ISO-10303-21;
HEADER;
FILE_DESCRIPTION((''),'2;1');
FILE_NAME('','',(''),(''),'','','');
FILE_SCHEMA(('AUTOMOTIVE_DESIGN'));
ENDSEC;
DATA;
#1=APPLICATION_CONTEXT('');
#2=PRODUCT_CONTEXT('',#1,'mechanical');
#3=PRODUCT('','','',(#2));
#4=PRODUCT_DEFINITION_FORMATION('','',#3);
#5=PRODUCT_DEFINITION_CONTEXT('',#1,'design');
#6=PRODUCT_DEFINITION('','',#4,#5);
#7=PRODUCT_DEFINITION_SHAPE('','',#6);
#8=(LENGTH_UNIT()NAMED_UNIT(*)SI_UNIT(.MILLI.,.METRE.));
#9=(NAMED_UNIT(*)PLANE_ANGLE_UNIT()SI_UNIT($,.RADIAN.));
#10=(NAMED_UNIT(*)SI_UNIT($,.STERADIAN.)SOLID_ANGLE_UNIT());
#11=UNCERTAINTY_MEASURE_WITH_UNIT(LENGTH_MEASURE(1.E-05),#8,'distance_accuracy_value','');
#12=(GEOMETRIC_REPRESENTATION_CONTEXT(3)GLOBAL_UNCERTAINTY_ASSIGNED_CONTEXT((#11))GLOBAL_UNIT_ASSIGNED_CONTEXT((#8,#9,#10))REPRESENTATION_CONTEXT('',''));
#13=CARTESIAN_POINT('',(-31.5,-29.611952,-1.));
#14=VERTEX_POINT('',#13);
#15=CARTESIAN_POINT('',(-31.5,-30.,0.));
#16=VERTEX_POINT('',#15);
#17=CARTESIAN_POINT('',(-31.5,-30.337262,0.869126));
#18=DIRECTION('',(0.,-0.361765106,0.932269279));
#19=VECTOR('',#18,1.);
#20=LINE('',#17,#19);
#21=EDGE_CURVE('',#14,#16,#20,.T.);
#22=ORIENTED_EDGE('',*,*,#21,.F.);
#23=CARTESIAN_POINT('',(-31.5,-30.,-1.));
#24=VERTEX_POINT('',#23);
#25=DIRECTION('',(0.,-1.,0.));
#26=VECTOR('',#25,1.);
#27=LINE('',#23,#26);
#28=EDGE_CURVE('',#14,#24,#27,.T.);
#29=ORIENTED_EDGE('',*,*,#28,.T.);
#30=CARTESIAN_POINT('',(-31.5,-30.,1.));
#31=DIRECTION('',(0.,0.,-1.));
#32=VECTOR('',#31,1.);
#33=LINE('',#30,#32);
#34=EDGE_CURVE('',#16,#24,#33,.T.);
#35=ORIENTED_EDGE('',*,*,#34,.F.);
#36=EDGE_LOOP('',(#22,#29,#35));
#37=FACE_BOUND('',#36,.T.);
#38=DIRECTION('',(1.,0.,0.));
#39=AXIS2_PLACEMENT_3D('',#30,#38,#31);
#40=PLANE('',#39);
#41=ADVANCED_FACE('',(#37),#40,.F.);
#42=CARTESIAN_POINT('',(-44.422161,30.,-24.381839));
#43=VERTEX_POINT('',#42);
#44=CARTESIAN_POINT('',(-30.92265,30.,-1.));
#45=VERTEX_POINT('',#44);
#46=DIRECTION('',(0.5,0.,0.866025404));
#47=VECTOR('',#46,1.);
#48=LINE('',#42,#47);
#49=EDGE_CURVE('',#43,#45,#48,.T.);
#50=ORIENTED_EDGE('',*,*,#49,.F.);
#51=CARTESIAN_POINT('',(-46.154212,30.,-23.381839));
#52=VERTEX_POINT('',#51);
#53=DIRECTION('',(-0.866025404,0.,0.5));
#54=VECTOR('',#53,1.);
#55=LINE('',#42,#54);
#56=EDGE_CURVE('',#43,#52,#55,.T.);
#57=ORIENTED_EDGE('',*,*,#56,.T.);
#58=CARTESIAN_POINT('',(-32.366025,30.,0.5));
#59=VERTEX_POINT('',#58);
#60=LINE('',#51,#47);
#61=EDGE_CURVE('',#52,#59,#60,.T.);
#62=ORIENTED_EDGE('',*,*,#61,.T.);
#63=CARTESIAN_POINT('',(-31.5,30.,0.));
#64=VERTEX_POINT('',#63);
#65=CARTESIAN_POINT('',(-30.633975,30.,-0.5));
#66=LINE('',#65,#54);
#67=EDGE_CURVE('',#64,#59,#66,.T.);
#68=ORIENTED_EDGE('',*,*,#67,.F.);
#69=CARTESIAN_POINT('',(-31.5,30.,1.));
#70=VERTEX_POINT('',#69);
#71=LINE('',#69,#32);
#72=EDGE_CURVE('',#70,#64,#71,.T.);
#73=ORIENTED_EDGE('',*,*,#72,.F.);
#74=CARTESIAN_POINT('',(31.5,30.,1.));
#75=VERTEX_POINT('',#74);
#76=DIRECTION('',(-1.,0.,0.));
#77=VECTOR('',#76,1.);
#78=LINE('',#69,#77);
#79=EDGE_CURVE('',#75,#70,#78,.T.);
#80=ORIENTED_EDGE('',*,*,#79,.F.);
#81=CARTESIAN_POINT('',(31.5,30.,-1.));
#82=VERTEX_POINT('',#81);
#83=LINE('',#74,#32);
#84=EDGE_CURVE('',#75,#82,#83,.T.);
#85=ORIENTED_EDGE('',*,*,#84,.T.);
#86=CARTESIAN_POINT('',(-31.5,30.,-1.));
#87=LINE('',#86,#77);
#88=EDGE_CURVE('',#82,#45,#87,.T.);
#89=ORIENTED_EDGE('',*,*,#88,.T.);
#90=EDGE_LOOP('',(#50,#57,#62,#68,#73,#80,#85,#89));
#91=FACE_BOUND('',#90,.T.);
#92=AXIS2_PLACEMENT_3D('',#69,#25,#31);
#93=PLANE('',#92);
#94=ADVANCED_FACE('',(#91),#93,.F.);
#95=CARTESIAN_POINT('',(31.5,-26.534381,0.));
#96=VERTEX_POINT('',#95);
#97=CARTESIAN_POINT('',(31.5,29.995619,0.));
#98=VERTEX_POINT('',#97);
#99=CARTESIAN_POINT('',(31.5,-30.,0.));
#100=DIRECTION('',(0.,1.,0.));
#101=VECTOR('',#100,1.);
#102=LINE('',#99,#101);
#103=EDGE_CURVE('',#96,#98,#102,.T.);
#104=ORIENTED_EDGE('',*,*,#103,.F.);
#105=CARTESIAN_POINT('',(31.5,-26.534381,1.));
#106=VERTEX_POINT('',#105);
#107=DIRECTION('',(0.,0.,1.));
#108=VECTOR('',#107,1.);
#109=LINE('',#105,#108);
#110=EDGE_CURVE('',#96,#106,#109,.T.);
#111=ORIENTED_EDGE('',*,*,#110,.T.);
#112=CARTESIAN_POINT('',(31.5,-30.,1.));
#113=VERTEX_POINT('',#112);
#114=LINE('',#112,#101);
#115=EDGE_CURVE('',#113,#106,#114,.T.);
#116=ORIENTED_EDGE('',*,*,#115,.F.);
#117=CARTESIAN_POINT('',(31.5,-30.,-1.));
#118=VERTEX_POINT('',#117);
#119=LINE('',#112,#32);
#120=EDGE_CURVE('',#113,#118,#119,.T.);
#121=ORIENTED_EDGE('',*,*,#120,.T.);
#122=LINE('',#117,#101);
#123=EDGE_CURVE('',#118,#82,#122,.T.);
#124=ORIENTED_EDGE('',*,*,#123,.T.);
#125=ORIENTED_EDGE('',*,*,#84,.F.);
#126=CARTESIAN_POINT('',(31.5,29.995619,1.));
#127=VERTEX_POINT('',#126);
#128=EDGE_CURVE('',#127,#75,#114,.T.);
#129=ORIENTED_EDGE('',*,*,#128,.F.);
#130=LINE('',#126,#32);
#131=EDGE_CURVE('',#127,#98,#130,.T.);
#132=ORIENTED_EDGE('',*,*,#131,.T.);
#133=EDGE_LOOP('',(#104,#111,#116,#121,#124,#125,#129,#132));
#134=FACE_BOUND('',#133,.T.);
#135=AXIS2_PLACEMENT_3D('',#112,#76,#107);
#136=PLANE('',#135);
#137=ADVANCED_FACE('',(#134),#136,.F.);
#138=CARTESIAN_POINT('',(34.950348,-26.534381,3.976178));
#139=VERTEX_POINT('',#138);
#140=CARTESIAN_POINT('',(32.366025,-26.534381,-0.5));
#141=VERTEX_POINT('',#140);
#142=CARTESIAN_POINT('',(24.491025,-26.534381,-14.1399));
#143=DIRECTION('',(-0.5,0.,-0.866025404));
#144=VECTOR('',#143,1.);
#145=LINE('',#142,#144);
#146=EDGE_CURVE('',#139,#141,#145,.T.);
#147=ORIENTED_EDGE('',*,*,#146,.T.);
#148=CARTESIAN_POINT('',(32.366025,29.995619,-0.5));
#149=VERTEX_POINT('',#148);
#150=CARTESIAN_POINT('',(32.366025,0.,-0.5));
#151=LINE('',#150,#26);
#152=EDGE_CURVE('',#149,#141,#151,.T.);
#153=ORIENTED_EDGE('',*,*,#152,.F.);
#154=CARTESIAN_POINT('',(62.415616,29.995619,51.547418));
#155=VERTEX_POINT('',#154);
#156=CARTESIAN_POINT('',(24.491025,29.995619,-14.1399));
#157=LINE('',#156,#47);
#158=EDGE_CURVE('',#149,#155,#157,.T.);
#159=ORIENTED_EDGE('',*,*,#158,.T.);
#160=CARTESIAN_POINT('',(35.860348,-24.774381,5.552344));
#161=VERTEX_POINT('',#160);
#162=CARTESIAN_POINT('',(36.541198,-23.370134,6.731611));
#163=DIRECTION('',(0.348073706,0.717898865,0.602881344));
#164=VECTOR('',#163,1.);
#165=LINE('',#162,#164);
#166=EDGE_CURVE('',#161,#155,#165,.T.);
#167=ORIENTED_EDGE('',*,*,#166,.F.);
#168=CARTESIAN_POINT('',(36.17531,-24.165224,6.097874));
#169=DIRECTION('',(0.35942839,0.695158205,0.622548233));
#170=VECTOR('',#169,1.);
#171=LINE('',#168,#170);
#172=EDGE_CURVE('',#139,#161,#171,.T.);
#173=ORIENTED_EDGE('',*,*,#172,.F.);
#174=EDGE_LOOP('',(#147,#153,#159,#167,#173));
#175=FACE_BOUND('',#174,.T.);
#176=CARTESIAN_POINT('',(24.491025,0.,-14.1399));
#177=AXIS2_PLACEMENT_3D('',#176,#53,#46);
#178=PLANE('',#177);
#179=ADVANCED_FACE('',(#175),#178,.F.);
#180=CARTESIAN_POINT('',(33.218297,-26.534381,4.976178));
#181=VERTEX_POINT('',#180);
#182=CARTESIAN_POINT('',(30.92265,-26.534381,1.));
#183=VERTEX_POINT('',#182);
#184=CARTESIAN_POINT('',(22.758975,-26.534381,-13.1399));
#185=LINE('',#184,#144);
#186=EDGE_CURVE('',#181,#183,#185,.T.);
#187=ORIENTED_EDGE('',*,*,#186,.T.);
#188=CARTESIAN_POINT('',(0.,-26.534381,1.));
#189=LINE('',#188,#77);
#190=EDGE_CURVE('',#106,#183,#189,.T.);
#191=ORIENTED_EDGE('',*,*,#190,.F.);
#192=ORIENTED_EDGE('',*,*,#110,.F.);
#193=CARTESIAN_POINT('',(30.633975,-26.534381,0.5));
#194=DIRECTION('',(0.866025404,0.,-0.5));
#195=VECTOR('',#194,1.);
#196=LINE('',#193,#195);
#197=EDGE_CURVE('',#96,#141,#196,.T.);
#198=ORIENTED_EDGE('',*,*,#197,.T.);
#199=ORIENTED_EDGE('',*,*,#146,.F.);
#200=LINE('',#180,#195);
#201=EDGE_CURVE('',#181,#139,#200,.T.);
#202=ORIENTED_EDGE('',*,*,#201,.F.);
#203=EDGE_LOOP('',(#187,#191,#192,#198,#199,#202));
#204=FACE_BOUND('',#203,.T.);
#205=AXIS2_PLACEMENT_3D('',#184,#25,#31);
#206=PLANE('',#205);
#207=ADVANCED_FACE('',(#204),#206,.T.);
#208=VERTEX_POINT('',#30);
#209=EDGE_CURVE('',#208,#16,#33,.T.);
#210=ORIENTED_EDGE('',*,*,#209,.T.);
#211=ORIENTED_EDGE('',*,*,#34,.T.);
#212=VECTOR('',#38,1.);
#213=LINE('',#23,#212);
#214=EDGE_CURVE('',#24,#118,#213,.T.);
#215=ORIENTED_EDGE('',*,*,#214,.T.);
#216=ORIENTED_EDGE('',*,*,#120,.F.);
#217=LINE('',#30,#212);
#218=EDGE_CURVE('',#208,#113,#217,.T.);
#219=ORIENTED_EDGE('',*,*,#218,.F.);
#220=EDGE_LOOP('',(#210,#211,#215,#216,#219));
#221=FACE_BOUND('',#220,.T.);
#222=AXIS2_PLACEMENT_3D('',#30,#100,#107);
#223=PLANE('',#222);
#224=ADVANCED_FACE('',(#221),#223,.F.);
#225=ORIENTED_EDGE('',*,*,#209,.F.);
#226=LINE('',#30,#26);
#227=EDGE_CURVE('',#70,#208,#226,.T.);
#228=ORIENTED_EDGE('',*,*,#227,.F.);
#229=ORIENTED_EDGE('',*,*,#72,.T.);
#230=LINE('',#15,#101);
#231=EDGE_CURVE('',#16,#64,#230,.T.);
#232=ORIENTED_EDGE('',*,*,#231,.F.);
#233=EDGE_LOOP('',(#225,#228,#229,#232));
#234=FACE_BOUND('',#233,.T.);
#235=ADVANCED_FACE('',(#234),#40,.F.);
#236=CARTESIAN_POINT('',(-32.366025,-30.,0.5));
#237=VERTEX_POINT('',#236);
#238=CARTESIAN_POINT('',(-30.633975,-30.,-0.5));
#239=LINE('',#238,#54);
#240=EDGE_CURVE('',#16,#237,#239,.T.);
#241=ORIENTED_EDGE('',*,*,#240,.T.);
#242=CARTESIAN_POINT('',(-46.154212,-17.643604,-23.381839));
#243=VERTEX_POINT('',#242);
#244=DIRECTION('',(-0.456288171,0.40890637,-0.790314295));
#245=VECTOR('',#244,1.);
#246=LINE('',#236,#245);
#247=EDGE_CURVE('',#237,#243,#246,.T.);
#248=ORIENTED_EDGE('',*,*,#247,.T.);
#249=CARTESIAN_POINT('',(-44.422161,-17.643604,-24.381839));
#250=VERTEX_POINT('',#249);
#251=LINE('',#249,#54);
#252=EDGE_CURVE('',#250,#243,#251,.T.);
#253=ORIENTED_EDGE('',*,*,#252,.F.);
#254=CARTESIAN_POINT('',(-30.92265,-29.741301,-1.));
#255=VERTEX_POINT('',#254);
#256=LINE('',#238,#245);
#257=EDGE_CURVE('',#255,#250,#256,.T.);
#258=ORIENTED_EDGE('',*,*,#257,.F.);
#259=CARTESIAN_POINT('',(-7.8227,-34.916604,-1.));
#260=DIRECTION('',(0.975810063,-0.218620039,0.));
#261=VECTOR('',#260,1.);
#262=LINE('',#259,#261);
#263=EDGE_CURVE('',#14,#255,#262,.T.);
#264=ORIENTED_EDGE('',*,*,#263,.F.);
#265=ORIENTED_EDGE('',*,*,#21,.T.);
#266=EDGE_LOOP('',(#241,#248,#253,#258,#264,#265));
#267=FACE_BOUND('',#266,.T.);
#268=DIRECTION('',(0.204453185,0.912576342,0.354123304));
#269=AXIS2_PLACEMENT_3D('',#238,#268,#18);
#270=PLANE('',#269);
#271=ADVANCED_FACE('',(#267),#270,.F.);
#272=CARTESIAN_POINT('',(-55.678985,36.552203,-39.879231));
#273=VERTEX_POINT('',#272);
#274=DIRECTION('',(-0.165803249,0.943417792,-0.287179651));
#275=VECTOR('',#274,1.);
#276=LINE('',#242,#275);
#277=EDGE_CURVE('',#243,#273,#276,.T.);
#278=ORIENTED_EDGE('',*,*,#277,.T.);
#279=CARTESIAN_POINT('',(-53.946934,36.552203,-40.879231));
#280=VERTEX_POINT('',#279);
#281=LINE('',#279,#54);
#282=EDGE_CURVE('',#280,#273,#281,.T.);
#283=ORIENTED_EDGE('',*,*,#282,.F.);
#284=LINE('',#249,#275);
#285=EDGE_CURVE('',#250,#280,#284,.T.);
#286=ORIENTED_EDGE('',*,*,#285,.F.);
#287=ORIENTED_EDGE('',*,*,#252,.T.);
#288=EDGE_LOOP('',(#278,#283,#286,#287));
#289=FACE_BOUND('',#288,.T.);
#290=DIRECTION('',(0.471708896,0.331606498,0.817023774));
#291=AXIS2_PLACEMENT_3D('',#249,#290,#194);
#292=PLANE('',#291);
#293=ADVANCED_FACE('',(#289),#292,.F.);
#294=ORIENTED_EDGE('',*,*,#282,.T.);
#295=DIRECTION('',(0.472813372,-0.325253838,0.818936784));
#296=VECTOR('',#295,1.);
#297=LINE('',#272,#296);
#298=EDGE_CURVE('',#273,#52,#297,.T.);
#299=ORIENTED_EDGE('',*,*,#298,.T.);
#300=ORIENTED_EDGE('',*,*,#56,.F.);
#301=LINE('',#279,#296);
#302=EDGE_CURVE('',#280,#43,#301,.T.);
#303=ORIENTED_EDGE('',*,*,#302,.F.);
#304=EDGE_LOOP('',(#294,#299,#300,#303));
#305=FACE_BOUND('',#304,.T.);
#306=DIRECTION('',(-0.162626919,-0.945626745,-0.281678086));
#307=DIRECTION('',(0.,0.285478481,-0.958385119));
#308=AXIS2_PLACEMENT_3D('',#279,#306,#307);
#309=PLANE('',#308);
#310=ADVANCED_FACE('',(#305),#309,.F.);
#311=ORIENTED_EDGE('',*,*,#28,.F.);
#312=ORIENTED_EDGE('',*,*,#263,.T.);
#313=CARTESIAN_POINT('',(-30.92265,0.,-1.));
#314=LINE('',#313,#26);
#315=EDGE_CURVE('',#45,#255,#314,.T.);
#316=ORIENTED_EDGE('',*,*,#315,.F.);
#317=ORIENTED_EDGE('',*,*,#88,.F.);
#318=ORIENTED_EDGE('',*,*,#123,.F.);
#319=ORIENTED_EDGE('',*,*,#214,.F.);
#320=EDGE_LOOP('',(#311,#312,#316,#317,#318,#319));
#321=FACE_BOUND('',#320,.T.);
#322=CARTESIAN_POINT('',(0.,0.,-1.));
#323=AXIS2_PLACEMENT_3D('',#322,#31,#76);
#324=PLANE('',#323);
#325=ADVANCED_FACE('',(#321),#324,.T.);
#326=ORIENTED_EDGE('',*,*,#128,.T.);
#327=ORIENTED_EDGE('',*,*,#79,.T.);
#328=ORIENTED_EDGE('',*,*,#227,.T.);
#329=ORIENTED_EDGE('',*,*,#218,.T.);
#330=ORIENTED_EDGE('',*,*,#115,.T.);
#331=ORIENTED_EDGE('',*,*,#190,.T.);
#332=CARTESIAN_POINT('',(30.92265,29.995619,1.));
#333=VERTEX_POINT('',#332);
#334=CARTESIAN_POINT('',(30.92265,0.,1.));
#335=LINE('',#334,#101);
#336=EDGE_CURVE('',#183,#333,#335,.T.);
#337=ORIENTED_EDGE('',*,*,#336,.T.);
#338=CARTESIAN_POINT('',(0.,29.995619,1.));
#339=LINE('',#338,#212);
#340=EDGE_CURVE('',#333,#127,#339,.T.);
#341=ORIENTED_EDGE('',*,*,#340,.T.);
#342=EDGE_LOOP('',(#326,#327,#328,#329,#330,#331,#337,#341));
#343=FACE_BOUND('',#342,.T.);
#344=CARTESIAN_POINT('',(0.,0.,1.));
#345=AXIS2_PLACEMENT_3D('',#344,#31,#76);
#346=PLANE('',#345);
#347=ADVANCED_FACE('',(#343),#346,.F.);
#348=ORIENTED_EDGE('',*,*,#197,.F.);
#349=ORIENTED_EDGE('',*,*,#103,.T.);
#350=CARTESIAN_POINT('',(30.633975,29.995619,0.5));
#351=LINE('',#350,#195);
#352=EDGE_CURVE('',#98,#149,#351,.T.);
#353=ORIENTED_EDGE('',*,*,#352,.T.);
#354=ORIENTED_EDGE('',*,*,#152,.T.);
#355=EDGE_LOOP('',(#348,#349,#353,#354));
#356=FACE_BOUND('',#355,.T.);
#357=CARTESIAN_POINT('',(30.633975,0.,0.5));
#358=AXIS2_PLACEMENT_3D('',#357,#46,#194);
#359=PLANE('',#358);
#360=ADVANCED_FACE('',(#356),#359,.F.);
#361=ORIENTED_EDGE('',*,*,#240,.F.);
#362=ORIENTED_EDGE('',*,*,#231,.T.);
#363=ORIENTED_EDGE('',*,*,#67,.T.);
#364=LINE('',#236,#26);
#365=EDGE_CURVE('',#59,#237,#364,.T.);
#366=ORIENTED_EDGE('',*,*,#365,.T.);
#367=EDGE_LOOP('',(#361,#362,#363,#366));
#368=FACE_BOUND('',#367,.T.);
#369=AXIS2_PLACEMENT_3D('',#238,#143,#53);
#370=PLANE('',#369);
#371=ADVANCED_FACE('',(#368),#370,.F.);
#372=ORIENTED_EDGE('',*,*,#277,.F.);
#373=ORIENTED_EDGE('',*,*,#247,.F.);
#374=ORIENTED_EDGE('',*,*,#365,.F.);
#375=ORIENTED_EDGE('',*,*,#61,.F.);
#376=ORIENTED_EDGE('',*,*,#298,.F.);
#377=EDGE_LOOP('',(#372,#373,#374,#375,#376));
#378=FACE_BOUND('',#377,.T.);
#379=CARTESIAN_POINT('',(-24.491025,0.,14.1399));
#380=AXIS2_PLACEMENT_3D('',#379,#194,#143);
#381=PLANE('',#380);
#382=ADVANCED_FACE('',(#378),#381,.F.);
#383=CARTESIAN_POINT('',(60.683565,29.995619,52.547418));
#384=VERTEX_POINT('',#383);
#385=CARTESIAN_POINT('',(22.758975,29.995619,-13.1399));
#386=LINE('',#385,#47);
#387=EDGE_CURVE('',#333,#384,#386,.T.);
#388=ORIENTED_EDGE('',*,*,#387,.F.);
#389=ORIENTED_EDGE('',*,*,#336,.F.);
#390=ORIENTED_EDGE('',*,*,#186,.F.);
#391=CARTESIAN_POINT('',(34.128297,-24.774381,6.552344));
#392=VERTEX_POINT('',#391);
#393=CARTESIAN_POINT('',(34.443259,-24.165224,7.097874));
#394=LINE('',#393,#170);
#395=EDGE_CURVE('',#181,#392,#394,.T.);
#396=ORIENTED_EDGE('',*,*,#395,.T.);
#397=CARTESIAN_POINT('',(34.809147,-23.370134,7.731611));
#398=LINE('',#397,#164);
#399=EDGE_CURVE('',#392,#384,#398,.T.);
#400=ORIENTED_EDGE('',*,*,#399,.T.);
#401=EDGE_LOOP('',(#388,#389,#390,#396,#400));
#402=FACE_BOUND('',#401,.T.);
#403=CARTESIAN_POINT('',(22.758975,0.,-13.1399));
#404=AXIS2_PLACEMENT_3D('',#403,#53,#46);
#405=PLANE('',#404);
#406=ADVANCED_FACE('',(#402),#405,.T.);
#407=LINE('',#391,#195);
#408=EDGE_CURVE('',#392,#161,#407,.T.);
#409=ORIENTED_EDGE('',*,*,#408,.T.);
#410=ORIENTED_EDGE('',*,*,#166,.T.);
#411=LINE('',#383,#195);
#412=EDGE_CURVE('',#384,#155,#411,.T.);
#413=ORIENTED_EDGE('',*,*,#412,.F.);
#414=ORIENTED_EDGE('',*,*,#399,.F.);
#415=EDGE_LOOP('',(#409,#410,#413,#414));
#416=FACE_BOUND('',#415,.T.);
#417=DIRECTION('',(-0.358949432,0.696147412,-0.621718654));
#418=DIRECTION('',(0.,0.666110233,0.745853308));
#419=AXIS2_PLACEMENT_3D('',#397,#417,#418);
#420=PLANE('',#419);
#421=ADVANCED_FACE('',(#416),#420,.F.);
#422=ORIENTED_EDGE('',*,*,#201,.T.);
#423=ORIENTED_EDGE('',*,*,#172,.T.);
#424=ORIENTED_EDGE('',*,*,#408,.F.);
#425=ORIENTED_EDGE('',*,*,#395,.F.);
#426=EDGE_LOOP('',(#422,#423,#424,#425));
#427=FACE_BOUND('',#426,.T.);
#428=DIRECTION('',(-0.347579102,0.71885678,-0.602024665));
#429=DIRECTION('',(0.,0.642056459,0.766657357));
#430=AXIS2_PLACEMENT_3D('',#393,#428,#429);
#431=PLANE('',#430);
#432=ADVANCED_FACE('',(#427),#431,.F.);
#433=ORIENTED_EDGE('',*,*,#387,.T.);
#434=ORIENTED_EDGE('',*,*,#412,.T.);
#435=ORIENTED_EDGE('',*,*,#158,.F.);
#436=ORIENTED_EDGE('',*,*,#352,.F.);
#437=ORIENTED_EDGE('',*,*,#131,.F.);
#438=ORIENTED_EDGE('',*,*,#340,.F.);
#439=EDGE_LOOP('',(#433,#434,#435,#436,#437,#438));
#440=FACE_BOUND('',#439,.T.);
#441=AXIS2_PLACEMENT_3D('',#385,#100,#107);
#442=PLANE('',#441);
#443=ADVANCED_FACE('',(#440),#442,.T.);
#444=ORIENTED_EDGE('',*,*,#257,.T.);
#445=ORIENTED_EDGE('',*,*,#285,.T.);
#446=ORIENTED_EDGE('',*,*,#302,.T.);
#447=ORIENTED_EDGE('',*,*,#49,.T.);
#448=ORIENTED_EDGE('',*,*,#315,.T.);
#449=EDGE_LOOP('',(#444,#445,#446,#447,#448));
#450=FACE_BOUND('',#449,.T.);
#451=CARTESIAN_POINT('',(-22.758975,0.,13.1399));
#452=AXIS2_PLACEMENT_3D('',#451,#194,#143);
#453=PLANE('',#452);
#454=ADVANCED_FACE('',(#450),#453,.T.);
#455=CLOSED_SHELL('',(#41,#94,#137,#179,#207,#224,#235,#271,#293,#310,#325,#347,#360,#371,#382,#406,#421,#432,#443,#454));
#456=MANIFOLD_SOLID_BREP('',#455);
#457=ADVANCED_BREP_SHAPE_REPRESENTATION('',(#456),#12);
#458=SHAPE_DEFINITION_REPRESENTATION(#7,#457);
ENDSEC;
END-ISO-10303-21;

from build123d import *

# Parameters (mm, degrees)
ESBO_O1_W                = 63
ESBO_O1_H                = 60
RESSALTO_EXTRUS_O1_DEPTH = 1
RESSALTO_EXTRUS_O2_DEPTH = 1
RESSALTO_EXTRUS_O3_DEPTH = 1


with BuildPart() as part:
    # Esboço1 → Ressalto-extrusão1 (new, symmetric)
    with BuildSketch(Plane.XY):
        Rectangle(ESBO_O1_W, ESBO_O1_H)
    extrude(amount=RESSALTO_EXTRUS_O1_DEPTH, both=True)

    # Esboço2 → Ressalto-extrusão2 (add, symmetric)
    with BuildSketch(Plane(origin=(23.625, 0, -13.63990011), x_dir=(0, -1, 0), z_dir=(-0.8660254037844416, 0, 0.49999999999999495))):
        Polygon((-29.995618948, 75.849181721), (-29.995618948, 15.75), (26.534381052, 15.75), (26.534381052, 20.91864534), (24.774381052, 22.73864534), align=None)
    extrude(amount=RESSALTO_EXTRUS_O2_DEPTH, both=True)

    # Esboço3 → Ressalto-extrusão3 (add, symmetric)
    with BuildSketch(Plane(origin=(-23.625, 0, 13.63990011), x_dir=(0, -1, 0), z_dir=(0.866025403784445, 0, -0.4999999999999889))):
        Polygon((30, 15.75), (-30, 15.75), (-30, 43.326372281), (-36.552202997, 62.375919638), (17.643604412, 43.326372281), align=None)
    extrude(amount=RESSALTO_EXTRUS_O3_DEPTH, both=True)


solid = part.part
